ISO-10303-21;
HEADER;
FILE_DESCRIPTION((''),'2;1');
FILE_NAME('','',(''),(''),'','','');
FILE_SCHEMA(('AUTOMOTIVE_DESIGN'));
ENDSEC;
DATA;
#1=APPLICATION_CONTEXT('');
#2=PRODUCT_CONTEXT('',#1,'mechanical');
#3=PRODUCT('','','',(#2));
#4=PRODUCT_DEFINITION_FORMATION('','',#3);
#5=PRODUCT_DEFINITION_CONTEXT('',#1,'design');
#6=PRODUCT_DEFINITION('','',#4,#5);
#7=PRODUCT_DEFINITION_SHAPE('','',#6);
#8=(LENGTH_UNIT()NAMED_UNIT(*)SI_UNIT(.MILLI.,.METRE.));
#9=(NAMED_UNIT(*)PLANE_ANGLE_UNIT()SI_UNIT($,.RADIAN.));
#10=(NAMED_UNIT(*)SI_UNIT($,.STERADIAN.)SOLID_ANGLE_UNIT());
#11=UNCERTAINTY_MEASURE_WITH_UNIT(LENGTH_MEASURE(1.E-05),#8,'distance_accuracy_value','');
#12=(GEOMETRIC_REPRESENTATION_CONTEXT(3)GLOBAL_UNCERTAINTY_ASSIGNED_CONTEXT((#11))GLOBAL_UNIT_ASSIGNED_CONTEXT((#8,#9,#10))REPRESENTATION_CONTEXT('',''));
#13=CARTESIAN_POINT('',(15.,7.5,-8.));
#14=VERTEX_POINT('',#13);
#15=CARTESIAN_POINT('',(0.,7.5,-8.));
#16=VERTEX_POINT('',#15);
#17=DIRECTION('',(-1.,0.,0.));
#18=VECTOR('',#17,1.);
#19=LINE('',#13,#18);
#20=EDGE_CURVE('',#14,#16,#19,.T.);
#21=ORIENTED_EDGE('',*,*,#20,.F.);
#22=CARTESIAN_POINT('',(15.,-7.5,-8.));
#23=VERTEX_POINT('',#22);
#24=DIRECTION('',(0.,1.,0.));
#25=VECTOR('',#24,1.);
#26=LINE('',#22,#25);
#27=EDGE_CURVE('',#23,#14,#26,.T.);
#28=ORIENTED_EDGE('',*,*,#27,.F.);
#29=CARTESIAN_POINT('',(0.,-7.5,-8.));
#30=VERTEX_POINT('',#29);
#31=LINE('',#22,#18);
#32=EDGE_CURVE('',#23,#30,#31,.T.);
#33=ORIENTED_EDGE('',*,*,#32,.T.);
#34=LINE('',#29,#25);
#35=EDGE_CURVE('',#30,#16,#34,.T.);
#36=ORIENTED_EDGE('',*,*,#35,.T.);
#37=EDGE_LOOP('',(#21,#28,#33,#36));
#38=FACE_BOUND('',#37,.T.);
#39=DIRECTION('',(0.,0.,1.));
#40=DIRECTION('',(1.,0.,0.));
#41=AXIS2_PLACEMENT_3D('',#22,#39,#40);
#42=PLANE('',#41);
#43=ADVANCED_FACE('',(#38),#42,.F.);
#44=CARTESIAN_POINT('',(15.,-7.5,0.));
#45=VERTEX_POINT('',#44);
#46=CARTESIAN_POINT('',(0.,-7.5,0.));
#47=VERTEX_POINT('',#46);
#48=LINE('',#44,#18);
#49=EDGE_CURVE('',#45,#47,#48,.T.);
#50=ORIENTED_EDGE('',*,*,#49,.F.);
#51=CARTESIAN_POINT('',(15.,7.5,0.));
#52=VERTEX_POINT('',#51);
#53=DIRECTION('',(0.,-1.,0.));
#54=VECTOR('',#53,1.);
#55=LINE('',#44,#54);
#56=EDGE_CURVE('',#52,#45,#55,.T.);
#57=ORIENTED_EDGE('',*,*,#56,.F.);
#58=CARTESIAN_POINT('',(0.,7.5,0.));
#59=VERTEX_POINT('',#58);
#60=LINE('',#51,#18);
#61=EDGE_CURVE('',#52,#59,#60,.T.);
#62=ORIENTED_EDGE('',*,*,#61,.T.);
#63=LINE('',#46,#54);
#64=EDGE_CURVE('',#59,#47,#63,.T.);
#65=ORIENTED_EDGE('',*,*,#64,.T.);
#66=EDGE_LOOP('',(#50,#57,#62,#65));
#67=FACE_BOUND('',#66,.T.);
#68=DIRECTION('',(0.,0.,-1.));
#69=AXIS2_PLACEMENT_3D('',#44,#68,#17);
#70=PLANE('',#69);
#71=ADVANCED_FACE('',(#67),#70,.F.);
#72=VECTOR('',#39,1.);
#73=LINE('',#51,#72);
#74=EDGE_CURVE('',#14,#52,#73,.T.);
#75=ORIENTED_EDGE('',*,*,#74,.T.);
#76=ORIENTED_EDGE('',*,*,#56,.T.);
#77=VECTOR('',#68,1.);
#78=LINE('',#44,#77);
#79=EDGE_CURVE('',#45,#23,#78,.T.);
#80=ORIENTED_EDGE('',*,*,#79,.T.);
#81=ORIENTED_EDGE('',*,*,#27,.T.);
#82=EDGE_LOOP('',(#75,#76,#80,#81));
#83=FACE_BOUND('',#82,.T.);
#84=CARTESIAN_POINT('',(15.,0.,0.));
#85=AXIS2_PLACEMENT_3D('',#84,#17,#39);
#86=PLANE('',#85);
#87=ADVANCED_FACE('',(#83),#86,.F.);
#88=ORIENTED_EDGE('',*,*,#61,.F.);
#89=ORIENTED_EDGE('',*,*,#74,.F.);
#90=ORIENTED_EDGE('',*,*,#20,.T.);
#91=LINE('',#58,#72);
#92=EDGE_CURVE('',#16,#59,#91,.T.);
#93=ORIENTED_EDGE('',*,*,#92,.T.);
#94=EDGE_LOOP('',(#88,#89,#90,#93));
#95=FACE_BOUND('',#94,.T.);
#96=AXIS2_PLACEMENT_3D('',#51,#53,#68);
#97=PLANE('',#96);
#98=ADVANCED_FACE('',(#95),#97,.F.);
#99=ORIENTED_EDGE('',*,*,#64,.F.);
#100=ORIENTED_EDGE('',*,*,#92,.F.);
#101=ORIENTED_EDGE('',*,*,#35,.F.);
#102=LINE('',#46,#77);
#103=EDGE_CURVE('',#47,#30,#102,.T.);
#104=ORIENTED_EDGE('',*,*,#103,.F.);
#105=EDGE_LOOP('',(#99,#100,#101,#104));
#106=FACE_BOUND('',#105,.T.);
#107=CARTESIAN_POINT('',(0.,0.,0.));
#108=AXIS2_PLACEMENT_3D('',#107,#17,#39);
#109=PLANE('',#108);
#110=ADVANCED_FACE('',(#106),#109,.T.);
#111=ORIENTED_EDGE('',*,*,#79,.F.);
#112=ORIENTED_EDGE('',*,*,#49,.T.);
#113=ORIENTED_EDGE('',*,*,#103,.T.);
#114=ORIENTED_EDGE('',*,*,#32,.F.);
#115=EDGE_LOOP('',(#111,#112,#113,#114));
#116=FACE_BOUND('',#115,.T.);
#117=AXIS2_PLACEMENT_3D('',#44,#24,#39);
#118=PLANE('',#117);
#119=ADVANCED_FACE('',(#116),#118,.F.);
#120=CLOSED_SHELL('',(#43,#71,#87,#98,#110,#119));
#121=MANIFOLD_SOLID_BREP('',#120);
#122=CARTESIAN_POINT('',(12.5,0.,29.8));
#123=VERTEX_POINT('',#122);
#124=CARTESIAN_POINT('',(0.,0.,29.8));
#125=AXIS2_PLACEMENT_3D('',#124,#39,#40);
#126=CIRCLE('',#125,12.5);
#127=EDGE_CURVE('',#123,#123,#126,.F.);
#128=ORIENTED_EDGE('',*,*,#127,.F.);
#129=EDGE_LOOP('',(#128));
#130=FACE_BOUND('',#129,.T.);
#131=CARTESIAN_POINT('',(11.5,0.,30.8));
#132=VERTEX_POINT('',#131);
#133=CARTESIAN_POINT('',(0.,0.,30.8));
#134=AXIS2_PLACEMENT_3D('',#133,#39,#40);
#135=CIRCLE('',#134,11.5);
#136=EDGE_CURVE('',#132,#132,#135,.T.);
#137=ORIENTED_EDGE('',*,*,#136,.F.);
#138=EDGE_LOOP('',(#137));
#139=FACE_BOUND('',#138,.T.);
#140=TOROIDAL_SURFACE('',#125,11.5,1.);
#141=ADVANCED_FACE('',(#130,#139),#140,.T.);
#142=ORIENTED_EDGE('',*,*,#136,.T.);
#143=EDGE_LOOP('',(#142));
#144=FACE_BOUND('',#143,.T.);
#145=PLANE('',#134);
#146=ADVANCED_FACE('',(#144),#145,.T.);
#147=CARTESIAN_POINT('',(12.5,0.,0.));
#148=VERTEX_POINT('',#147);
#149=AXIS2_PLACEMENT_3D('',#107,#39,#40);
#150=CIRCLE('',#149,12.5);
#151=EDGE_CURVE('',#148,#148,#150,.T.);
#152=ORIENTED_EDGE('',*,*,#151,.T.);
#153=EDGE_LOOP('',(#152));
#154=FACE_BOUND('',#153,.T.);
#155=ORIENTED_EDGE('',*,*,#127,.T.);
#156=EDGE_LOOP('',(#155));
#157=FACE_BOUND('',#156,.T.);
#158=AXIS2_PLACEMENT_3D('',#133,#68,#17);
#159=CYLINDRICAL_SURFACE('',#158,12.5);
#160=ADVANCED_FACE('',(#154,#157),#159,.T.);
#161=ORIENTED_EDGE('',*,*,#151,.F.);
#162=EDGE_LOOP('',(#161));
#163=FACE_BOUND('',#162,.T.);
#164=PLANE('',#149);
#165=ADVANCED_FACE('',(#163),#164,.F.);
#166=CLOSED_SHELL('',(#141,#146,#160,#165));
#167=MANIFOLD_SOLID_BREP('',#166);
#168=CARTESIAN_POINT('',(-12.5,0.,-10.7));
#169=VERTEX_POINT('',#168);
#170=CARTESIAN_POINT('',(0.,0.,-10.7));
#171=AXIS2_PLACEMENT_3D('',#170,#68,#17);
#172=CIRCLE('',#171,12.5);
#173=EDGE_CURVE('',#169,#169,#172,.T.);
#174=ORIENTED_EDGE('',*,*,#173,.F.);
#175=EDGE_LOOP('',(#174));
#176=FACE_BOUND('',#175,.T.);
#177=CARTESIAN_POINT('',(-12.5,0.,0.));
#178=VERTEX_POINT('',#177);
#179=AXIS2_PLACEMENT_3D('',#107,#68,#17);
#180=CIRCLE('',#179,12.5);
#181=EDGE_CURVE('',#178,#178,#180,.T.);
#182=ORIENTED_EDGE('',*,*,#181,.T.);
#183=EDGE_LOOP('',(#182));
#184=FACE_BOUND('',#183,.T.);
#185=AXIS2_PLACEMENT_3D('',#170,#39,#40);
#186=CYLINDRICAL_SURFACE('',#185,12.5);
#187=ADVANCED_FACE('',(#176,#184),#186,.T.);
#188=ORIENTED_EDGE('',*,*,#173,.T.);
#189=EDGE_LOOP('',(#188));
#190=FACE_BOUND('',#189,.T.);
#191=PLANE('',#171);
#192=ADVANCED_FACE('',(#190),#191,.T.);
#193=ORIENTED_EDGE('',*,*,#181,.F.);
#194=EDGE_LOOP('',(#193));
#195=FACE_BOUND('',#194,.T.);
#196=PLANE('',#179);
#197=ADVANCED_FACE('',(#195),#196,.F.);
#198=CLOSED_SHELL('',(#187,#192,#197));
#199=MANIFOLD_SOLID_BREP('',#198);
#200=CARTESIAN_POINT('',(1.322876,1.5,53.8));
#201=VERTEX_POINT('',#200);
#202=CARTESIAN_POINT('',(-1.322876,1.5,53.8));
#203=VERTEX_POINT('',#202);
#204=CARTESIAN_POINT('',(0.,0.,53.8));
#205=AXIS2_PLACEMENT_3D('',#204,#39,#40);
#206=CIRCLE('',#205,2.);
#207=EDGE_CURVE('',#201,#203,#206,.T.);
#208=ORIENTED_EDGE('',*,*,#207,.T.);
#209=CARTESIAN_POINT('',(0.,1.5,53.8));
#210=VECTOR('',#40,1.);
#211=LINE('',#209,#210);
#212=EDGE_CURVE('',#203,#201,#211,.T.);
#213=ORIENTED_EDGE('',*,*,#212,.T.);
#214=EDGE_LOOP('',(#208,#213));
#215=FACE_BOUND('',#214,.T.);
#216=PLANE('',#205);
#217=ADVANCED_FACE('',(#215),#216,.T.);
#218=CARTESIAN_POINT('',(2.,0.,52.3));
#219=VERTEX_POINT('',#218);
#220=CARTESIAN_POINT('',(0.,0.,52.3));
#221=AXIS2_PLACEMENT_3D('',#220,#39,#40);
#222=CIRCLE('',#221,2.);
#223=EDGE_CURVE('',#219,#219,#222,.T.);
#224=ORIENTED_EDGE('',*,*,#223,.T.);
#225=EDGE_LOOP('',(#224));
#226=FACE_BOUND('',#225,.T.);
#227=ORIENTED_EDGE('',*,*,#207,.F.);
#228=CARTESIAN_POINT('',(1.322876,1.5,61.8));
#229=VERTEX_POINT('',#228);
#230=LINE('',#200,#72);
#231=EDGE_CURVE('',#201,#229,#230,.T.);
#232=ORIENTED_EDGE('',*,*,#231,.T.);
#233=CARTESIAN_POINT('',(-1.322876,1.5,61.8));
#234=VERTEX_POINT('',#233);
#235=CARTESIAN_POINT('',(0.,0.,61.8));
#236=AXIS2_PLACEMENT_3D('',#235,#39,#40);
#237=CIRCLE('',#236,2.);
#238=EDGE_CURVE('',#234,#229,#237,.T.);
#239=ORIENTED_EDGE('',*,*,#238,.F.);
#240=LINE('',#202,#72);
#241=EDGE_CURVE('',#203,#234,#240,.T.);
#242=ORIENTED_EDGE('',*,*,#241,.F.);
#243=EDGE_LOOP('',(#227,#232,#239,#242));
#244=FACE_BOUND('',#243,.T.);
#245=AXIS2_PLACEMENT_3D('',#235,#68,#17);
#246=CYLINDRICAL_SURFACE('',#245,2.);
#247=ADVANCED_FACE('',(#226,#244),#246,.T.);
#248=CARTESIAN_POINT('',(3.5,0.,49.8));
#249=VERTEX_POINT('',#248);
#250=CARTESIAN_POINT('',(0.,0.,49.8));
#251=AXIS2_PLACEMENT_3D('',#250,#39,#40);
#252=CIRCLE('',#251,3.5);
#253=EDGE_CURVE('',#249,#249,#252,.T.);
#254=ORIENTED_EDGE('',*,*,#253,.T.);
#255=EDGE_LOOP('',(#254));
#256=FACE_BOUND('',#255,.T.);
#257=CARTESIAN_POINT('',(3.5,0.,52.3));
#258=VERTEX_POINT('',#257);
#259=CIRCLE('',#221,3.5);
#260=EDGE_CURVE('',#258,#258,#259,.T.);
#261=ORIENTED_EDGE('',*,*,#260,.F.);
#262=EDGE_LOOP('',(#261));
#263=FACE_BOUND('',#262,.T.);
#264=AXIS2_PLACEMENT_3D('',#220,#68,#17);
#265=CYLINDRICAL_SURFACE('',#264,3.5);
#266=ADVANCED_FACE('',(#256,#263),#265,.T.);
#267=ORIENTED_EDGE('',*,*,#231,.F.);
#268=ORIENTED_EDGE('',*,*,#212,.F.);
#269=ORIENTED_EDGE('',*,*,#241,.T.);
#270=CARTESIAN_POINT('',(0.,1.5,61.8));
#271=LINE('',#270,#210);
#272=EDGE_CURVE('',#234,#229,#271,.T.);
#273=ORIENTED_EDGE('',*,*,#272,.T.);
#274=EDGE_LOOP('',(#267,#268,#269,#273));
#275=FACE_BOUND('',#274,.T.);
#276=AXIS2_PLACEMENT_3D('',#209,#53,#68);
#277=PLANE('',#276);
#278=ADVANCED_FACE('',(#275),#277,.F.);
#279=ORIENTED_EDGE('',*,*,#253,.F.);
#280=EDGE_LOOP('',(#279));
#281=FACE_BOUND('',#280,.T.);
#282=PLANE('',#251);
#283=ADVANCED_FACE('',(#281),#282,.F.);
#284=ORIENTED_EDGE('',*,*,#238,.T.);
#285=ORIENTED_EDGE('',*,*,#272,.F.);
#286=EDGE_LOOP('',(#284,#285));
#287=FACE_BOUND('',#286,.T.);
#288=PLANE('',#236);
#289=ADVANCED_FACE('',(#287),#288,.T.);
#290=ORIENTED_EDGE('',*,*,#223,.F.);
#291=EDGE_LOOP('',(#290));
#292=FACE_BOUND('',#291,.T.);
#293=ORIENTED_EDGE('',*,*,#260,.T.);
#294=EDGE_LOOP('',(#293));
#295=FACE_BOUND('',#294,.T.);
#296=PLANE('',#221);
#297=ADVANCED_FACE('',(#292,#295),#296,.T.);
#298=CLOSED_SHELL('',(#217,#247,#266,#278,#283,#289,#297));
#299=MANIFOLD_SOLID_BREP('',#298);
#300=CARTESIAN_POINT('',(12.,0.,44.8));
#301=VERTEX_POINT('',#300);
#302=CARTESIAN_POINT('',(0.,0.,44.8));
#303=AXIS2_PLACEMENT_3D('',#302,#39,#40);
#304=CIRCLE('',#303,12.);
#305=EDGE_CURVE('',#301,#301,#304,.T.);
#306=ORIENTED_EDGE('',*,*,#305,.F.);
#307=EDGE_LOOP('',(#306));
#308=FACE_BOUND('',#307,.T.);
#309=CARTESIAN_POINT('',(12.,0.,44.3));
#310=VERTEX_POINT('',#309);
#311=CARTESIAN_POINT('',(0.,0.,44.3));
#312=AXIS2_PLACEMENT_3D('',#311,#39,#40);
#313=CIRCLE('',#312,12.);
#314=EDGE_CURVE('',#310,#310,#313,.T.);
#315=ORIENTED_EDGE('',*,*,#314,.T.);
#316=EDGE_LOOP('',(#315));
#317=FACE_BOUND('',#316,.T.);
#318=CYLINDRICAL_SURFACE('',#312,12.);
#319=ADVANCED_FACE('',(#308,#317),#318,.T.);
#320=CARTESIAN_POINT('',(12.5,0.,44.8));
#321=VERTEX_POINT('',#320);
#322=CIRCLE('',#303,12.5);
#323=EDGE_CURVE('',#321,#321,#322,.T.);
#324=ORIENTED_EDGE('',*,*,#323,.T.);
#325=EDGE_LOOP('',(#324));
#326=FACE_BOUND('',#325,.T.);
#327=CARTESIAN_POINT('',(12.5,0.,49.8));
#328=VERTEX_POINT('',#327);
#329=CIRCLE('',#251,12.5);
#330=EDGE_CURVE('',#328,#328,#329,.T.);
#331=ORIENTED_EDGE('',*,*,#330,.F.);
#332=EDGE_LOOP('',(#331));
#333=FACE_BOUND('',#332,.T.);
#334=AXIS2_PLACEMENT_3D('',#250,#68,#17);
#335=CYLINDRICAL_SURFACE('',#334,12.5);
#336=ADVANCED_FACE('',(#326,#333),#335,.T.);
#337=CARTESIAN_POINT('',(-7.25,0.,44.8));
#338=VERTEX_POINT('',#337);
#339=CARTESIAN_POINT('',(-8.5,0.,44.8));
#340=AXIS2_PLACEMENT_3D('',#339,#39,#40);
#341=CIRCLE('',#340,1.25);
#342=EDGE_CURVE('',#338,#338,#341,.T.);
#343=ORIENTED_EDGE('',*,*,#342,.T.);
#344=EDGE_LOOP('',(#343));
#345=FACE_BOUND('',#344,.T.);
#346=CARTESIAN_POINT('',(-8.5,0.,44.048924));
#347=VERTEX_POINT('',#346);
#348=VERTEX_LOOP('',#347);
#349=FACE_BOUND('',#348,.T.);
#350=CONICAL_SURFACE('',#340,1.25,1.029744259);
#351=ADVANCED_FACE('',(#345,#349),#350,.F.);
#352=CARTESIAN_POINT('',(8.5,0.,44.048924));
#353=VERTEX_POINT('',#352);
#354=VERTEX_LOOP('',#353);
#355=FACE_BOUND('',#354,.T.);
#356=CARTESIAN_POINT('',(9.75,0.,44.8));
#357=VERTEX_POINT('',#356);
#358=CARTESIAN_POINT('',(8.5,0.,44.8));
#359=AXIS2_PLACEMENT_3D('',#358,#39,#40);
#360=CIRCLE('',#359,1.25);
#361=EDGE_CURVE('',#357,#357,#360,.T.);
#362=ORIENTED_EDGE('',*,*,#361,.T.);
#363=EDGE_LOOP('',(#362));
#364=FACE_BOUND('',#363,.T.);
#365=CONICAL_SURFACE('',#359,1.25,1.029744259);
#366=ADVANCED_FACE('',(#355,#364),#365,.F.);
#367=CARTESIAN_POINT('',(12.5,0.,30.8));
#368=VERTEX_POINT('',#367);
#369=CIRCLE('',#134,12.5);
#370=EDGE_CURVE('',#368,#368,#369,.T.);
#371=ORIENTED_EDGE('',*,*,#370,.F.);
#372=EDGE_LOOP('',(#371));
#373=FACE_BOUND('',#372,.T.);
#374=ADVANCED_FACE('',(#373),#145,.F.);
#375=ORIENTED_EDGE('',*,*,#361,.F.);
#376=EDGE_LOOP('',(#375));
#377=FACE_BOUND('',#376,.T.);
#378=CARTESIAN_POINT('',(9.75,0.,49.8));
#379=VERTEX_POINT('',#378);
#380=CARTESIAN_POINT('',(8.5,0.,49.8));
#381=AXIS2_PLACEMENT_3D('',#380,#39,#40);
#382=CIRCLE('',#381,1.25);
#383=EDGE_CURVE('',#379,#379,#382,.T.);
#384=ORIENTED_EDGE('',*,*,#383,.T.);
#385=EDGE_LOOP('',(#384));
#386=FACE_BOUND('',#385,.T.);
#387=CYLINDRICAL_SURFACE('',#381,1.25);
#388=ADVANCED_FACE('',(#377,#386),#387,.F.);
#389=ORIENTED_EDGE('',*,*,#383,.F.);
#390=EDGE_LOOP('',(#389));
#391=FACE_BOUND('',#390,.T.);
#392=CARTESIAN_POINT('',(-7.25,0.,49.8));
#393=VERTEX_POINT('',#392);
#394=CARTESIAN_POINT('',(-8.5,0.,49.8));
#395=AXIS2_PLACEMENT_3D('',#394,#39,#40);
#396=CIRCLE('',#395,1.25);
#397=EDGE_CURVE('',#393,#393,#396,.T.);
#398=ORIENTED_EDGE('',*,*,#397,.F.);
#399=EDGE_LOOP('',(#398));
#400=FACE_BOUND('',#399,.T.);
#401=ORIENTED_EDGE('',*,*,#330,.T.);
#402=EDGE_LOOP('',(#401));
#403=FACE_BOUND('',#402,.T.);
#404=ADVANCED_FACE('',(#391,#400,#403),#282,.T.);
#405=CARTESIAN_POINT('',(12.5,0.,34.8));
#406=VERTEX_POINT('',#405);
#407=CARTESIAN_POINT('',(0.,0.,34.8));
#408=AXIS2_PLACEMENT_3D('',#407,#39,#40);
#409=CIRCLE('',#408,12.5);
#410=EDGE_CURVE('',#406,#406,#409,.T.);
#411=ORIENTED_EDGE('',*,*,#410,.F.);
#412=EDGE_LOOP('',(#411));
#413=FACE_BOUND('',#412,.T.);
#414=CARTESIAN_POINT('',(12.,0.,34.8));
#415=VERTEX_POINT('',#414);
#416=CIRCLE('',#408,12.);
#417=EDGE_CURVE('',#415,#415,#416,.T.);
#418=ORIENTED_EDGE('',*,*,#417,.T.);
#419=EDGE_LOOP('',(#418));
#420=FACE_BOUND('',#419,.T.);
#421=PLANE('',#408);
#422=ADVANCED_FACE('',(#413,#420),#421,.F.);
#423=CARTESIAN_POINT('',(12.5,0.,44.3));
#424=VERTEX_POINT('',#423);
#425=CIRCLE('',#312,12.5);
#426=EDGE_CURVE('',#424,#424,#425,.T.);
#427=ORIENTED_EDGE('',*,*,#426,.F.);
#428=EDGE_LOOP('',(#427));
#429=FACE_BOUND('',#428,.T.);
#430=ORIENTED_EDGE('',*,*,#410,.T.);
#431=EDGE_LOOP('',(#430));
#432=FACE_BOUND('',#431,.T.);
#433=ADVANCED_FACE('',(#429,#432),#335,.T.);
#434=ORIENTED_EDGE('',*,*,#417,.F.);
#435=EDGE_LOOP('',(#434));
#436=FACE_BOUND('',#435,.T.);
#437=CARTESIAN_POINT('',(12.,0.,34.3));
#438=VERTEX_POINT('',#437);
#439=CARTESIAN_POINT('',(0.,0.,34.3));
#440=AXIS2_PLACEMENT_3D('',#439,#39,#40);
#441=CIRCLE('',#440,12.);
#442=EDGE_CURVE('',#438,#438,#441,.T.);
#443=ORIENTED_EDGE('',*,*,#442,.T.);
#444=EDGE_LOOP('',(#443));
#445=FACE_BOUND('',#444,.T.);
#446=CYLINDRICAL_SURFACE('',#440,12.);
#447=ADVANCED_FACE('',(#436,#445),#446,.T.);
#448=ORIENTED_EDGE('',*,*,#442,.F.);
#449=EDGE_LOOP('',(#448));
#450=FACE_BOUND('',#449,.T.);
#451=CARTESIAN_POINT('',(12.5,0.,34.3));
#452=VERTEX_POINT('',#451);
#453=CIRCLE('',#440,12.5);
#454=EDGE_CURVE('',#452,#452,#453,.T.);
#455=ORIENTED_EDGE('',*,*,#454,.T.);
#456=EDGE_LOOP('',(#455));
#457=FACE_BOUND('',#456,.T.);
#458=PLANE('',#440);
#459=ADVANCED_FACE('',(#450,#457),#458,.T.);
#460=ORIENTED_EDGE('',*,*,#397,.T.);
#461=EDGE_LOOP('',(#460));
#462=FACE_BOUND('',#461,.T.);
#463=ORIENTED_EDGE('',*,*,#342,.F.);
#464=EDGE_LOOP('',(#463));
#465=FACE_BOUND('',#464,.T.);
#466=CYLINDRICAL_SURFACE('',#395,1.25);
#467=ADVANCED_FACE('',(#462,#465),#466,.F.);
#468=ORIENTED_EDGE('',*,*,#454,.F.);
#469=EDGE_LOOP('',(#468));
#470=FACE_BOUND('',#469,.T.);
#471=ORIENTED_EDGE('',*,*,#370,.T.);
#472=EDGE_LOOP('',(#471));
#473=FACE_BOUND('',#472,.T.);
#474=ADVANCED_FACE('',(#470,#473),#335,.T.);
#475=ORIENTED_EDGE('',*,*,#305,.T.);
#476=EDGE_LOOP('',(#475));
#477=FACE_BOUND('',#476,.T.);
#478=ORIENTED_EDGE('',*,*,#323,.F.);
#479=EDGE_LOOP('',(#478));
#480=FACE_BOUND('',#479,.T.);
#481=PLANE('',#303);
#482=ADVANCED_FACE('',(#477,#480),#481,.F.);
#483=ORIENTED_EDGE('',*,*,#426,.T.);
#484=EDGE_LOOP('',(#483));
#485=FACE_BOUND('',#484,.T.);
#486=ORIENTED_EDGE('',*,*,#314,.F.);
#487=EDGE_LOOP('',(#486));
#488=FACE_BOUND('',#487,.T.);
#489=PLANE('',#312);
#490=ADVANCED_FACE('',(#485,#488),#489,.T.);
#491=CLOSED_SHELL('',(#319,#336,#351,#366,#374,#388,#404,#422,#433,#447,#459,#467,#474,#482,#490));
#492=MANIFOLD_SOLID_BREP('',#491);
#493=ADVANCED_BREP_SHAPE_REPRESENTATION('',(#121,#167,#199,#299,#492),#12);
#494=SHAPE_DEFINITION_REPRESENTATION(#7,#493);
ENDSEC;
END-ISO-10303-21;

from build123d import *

# Parameters (mm, degrees)
SKETCH_1_R             = 12.5
EXTRUDE_1_DEPTH        = 30.8
SKETCH_2_R             = 12.5
EXTRUDE_2_DEPTH        = 10.7
SKETCH_3_W             = 8
SKETCH_3_H             = 15
EXTRUDE_3_DEPTH        = 15
FILLET_1_R             = 1
SKETCH_4_R             = 12.5
EXTRUDE_4_DEPTH        = 19
CUT_EXTRUDE_START      = -15
SKETCH_5_R             = 12.5
SKETCH_5_R_2           = 12
CUT_EXTRUDE_1_DEPTH    = 0.5
PATTERN_LINEAR_1_COUNT = 2
PATTERN_LINEAR_1_PITCH = 10
SKETCH_6_R             = 3.5
EXTRUDE_5_DEPTH        = 2.5
SKETCH_7_R             = 2
EXTRUDE_6_DEPTH        = 9.5
CUT_EXTRUDE_2_DEPTH    = 8
M3X0_5_1_AT_2_COUNT    = 2
M3X0_5_1_AT_2_PITCH    = 17


with BuildPart() as part:
    # 草圖1 → 填料-伸長1 (new body)
    with BuildSketch(Plane.XY):
        Circle(SKETCH_1_R)
    extrude(amount=EXTRUDE_1_DEPTH)

    # 圓角1
    fillet_1_edges = [part.edges().sort_by_distance(p)[0] for p in [
        (-12.5, 0, 30.8),
    ]]
    fillet(fillet_1_edges, radius=FILLET_1_R)


with BuildPart() as body_2:
    # 草圖2 → 填料-伸長2 (new body)
    with BuildSketch(Plane(origin=(0, 0, 0), x_dir=(-1, 0, 0), z_dir=(0, 0, -1))):
        Circle(SKETCH_2_R)
    extrude(amount=EXTRUDE_2_DEPTH)


with BuildPart() as body_3:
    # 草圖3 → 填料-伸長3 (new body)
    with BuildSketch(Plane(origin=(0, 0, 0), x_dir=(0, 0, -1), z_dir=(1, 0, 0))):
        with Locations((4, 0)):
            Rectangle(SKETCH_3_W, SKETCH_3_H)
    extrude(amount=EXTRUDE_3_DEPTH)


with BuildPart() as body_4:
    # 草圖4 → 填料-伸長4 (new body)
    with BuildSketch(Plane.XY.offset(30.8)):
        Circle(SKETCH_4_R)
    extrude(amount=EXTRUDE_4_DEPTH)

    # 草圖5 → 除料-伸長1 (cut)
    with BuildSketch(Plane.XY.offset(49.8).offset(CUT_EXTRUDE_START)):
        Circle(SKETCH_5_R)
        Circle(SKETCH_5_R_2, mode=Mode.SUBTRACT)
    cut_extrude_1 = extrude(amount=-CUT_EXTRUDE_1_DEPTH, mode=Mode.SUBTRACT)

    # 直線複製排列1: 除料-伸長1 ×2
    with Locations(*[(0, 0, i * PATTERN_LINEAR_1_PITCH) for i in range(1, PATTERN_LINEAR_1_COUNT)]):
        add(cut_extrude_1, mode=Mode.SUBTRACT)

    # 草圖12 → M3x0.5 螺紋孔1 (revolve, cut)
    with BuildSketch(Plane(origin=(8.5, 0, 49.8), x_dir=(0, -1, 0), z_dir=(1, 0, 0))):
        Polygon((0, 0), (0, 5.751075774), (1.25, 5), (1.25, 0), align=None)
    m3x0_5_1 = revolve(axis=Axis((8.5, 0, 56.15), (0, 0, -1)), mode=Mode.SUBTRACT)

    # M3x0.5 螺紋孔1 at 2: M3x0.5 螺紋孔1 ×2
    with Locations(*[(-i * M3X0_5_1_AT_2_PITCH, 0, 0) for i in range(1, M3X0_5_1_AT_2_COUNT)]):
        add(m3x0_5_1, mode=Mode.SUBTRACT)


with BuildPart() as body_5:
    # 草圖6 → 填料-伸長5 (new body)
    with BuildSketch(Plane.XY.offset(49.8)):
        Circle(SKETCH_6_R)
    extrude(amount=EXTRUDE_5_DEPTH)

    # 草圖7 → 填料-伸長6 (add)
    with BuildSketch(Plane.XY.offset(52.3)):
        Circle(SKETCH_7_R)
    extrude(amount=EXTRUDE_6_DEPTH)

    # 草圖8 → 除料-伸長2 (cut)
    with BuildSketch(Plane.XY.offset(61.8)):
        with BuildLine():
            Line((-1.322875656, 1.5), (1.322875656, 1.5))
            ThreePointArc((1.322875656, 1.5), (0, 2), (-1.322875656, 1.5))
        make_face()
    extrude(amount=-CUT_EXTRUDE_2_DEPTH, mode=Mode.SUBTRACT)


solid = Compound([part.part, body_2.part, body_3.part, body_4.part, body_5.part])
